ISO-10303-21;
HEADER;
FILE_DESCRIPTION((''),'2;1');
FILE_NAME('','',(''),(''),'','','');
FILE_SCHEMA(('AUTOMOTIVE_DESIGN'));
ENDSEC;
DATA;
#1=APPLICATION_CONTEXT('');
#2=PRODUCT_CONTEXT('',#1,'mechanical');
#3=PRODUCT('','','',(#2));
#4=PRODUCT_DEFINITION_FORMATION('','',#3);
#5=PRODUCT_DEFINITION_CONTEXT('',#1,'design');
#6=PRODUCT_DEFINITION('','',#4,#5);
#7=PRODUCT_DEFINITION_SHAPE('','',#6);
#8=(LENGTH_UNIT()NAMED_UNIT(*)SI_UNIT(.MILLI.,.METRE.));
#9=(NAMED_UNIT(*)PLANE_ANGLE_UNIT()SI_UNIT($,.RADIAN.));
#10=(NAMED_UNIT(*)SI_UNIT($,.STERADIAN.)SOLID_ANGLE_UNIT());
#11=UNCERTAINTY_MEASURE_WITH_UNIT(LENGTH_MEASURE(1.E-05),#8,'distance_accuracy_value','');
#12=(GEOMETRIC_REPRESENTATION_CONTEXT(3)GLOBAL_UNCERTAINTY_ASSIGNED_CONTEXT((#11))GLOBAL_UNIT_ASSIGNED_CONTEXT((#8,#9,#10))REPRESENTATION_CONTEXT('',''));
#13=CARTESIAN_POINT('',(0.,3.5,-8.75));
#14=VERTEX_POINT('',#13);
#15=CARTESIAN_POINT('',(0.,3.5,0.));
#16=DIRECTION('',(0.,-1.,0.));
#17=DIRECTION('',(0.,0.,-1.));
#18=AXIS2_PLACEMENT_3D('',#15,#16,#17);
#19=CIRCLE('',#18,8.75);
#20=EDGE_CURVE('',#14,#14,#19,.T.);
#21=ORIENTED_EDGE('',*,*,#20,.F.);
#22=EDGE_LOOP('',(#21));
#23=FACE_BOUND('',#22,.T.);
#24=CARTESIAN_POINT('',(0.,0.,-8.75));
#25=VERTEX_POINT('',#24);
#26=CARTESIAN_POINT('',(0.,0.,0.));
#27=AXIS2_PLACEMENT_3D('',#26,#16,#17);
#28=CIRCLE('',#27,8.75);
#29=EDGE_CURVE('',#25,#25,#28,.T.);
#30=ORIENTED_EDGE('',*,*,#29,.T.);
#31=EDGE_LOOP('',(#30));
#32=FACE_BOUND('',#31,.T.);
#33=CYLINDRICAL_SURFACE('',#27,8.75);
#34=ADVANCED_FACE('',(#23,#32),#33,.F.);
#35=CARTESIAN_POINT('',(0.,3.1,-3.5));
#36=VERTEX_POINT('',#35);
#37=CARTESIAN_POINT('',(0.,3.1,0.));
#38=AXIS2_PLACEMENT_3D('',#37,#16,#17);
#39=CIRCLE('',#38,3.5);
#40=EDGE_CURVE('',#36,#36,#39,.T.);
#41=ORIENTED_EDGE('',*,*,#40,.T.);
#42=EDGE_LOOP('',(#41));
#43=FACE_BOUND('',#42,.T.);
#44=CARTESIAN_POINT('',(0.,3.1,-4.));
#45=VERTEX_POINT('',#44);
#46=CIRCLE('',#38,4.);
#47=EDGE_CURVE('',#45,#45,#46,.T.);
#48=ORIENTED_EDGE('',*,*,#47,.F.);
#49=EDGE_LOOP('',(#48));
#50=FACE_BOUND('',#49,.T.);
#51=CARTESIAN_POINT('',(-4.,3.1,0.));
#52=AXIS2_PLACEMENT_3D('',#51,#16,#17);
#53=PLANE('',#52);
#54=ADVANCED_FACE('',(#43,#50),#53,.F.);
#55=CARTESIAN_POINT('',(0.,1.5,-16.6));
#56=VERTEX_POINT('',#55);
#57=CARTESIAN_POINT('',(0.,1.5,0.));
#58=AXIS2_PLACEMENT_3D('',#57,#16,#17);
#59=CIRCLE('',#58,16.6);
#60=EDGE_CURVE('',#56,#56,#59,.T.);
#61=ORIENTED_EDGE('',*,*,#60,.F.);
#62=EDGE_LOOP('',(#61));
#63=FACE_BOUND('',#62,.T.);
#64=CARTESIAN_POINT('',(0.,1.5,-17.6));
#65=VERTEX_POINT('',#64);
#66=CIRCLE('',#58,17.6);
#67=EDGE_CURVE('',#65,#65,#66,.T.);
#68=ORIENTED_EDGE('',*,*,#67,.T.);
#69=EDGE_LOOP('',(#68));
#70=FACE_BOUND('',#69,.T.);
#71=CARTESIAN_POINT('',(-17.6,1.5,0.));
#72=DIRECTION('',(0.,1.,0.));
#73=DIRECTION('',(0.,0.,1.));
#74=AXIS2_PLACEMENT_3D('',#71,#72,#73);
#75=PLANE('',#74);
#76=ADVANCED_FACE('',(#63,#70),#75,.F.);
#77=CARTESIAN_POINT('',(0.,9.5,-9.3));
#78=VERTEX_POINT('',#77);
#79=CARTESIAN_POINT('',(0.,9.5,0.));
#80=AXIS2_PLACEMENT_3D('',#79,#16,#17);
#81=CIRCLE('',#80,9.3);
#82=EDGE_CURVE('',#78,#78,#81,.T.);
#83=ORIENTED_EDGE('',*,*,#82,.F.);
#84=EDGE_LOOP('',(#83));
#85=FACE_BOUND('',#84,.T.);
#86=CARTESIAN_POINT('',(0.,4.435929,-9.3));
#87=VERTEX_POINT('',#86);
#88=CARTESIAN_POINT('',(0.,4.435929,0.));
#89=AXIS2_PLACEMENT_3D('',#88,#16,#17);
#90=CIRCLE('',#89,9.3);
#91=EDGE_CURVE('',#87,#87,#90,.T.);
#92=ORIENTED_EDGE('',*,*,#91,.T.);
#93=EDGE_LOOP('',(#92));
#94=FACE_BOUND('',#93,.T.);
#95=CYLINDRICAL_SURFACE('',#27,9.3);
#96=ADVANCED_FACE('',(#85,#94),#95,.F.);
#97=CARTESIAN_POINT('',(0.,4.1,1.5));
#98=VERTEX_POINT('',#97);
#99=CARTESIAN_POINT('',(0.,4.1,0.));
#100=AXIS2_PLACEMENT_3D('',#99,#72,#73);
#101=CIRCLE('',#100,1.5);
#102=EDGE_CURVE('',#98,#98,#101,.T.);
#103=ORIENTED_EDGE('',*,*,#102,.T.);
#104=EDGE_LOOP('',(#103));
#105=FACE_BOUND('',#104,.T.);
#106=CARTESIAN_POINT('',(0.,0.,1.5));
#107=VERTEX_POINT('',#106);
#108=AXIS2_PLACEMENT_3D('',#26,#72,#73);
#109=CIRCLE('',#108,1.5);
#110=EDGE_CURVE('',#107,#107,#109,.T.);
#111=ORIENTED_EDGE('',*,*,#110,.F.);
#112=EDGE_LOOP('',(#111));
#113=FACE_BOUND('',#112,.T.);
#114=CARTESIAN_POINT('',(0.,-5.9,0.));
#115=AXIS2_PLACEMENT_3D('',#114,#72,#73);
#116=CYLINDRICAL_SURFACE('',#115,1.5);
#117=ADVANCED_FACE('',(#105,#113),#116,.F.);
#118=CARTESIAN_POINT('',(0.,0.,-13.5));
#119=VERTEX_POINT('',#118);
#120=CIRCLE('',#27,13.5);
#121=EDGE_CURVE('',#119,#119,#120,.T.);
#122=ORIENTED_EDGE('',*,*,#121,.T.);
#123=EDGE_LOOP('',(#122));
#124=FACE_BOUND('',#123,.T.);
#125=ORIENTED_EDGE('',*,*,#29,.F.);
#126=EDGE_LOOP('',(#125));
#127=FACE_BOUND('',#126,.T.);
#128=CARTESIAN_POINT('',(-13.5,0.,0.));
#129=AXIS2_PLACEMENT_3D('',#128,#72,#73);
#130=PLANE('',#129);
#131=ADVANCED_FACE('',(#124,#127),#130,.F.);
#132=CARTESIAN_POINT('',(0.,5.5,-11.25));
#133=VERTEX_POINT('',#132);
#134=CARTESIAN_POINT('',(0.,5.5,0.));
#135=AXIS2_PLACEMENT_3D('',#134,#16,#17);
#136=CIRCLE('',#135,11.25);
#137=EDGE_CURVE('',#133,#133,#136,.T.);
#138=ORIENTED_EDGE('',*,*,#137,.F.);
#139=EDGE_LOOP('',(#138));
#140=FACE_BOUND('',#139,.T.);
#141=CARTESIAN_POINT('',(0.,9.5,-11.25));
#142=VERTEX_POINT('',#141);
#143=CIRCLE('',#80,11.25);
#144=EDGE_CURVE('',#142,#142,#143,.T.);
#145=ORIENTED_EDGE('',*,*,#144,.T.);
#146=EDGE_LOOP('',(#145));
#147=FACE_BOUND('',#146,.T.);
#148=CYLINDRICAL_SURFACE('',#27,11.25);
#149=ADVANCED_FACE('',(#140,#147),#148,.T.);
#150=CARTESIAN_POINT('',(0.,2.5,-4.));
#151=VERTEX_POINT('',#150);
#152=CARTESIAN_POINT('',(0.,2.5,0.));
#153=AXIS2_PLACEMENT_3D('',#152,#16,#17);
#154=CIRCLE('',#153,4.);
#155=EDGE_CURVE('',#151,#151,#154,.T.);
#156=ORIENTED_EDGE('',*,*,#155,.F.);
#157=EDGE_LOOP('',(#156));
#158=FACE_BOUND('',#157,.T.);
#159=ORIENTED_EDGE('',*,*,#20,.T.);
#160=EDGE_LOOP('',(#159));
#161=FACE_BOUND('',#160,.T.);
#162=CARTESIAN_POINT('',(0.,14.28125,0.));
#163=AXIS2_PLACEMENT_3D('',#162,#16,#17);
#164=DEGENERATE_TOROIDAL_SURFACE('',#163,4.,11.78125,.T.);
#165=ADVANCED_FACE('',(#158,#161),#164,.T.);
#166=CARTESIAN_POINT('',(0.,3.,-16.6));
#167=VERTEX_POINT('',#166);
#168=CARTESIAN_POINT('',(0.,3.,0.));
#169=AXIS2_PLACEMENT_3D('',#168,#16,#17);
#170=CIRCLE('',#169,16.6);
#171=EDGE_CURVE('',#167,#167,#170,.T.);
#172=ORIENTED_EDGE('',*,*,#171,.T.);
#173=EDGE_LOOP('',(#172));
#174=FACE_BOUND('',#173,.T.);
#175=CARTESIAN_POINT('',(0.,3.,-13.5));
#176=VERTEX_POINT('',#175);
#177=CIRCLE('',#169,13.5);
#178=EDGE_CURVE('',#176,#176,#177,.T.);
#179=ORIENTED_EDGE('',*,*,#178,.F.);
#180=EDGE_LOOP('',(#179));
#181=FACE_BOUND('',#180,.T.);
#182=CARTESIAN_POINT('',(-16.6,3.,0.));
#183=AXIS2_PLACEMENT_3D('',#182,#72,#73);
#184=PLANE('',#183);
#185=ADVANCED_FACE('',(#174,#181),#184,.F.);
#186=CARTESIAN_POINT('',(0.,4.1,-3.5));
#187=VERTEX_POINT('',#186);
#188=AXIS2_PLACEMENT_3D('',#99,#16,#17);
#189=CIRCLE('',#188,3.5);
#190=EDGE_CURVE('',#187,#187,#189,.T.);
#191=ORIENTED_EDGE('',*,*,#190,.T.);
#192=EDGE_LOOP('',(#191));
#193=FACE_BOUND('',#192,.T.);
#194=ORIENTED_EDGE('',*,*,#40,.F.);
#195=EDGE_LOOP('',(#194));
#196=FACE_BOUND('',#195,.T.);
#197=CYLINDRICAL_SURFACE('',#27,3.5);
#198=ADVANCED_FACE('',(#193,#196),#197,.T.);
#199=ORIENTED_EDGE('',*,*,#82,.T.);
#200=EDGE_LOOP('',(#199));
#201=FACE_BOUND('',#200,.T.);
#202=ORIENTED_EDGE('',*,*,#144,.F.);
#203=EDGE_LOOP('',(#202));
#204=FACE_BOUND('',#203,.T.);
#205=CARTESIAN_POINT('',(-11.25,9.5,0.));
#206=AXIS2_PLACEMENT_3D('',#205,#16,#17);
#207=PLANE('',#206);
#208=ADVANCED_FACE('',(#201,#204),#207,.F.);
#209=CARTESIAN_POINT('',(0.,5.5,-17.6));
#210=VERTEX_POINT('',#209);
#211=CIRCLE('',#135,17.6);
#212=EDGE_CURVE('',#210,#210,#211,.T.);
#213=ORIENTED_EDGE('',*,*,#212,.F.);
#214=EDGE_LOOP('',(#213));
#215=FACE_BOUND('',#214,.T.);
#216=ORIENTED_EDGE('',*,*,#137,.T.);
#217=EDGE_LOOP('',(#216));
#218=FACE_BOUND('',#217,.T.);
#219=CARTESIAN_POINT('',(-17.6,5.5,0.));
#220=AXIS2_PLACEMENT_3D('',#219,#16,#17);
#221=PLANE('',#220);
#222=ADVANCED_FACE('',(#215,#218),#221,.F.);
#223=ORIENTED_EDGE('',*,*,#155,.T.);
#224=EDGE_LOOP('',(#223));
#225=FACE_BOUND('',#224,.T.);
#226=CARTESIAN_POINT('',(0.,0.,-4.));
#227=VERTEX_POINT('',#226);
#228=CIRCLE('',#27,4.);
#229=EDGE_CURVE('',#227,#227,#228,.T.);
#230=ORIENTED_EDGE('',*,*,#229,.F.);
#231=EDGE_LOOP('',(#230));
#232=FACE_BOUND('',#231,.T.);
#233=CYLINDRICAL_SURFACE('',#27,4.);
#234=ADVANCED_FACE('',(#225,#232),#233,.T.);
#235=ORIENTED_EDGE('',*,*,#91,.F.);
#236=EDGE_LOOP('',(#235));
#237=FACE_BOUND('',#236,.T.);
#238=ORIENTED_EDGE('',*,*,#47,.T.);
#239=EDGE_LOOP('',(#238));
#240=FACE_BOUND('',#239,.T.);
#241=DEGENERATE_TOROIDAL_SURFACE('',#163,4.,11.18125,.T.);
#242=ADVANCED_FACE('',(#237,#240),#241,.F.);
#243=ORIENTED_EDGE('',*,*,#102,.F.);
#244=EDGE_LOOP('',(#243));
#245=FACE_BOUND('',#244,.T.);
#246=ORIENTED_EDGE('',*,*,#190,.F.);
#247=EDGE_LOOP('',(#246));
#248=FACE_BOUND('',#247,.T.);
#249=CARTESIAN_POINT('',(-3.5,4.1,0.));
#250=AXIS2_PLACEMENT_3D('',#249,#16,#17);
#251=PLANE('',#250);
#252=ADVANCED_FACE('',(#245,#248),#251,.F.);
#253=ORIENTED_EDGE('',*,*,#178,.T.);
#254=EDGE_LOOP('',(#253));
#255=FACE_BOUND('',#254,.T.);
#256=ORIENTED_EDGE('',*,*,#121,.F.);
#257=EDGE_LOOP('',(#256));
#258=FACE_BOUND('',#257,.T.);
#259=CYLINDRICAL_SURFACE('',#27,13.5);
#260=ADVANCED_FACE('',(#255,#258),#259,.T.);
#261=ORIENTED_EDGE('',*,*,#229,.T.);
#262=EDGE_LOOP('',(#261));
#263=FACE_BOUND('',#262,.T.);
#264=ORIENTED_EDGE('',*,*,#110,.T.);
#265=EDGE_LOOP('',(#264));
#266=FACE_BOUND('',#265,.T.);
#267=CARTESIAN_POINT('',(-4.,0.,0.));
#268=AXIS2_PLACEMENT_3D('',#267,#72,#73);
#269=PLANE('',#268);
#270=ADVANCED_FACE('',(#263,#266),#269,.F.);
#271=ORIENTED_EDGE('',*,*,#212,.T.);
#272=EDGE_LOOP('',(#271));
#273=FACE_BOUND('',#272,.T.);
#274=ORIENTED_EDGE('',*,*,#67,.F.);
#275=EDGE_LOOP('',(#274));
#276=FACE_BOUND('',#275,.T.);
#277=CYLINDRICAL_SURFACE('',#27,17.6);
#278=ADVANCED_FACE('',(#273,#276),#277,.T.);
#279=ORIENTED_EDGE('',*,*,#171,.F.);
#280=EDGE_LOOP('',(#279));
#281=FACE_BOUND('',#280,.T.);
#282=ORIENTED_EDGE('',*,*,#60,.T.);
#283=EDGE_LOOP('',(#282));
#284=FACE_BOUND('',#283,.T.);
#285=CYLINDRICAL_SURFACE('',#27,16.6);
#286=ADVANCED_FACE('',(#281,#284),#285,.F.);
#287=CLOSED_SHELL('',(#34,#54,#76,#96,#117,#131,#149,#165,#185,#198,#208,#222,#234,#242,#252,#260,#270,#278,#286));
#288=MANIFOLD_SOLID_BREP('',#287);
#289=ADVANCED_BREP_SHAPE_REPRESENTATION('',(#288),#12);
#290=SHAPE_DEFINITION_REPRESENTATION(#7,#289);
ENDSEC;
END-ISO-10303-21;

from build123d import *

# Parameters (mm, degrees)
SKETCH2_R          = 1.5
CUT_EXTRUDE1_DEPTH = 10


with BuildPart() as part:
    # Sketch1 → Revolve1 (revolve)
    with BuildSketch(Plane.XY):
        with BuildLine():
            Line((-17.6, 1.5), (-17.6, 5.5))
            Line((-17.6, 5.5), (-11.25, 5.5))
            Line((-11.25, 5.5), (-11.25, 9.5))
            Line((-11.25, 9.5), (-9.3, 9.5))
            Line((-9.3, 9.5), (-9.3, 4.435928697))
            ThreePointArc((-9.3, 4.435928697), (-6.732887918, 3.439124969), (-4, 3.1))
            Line((-4, 3.1), (-3.5, 3.1))
            Line((-3.5, 3.1), (-3.5, 4.1))
            Line((-3.5, 4.1), (0, 4.1))
            Line((0, 4.1), (0, 0))
            Line((0, 0), (-4, 0))
            Line((-4, 0), (-4, 2.5))
            ThreePointArc((-4, 2.5), (-6.42706098, 2.752710346), (-8.75, 3.5))
            Line((-8.75, 3.5), (-8.75, 0))
            Line((-8.75, 0), (-13.5, 0))
            Line((-13.5, 0), (-13.5, 3))
            Line((-13.5, 3), (-16.6, 3))
            Line((-16.6, 3), (-16.6, 1.5))
            Line((-16.6, 1.5), (-17.6, 1.5))
        make_face()
    revolve(axis=Axis((0, 0, 0), (0, 1, 0)))

    # Sketch2 → Cut-Extrude1 (cut)
    with BuildSketch(Plane(origin=(0, 4.1, 0), x_dir=(1, 0, 0), z_dir=(0, 1, 0))):
        Circle(SKETCH2_R)
    extrude(amount=-CUT_EXTRUDE1_DEPTH, mode=Mode.SUBTRACT)


solid = part.part
